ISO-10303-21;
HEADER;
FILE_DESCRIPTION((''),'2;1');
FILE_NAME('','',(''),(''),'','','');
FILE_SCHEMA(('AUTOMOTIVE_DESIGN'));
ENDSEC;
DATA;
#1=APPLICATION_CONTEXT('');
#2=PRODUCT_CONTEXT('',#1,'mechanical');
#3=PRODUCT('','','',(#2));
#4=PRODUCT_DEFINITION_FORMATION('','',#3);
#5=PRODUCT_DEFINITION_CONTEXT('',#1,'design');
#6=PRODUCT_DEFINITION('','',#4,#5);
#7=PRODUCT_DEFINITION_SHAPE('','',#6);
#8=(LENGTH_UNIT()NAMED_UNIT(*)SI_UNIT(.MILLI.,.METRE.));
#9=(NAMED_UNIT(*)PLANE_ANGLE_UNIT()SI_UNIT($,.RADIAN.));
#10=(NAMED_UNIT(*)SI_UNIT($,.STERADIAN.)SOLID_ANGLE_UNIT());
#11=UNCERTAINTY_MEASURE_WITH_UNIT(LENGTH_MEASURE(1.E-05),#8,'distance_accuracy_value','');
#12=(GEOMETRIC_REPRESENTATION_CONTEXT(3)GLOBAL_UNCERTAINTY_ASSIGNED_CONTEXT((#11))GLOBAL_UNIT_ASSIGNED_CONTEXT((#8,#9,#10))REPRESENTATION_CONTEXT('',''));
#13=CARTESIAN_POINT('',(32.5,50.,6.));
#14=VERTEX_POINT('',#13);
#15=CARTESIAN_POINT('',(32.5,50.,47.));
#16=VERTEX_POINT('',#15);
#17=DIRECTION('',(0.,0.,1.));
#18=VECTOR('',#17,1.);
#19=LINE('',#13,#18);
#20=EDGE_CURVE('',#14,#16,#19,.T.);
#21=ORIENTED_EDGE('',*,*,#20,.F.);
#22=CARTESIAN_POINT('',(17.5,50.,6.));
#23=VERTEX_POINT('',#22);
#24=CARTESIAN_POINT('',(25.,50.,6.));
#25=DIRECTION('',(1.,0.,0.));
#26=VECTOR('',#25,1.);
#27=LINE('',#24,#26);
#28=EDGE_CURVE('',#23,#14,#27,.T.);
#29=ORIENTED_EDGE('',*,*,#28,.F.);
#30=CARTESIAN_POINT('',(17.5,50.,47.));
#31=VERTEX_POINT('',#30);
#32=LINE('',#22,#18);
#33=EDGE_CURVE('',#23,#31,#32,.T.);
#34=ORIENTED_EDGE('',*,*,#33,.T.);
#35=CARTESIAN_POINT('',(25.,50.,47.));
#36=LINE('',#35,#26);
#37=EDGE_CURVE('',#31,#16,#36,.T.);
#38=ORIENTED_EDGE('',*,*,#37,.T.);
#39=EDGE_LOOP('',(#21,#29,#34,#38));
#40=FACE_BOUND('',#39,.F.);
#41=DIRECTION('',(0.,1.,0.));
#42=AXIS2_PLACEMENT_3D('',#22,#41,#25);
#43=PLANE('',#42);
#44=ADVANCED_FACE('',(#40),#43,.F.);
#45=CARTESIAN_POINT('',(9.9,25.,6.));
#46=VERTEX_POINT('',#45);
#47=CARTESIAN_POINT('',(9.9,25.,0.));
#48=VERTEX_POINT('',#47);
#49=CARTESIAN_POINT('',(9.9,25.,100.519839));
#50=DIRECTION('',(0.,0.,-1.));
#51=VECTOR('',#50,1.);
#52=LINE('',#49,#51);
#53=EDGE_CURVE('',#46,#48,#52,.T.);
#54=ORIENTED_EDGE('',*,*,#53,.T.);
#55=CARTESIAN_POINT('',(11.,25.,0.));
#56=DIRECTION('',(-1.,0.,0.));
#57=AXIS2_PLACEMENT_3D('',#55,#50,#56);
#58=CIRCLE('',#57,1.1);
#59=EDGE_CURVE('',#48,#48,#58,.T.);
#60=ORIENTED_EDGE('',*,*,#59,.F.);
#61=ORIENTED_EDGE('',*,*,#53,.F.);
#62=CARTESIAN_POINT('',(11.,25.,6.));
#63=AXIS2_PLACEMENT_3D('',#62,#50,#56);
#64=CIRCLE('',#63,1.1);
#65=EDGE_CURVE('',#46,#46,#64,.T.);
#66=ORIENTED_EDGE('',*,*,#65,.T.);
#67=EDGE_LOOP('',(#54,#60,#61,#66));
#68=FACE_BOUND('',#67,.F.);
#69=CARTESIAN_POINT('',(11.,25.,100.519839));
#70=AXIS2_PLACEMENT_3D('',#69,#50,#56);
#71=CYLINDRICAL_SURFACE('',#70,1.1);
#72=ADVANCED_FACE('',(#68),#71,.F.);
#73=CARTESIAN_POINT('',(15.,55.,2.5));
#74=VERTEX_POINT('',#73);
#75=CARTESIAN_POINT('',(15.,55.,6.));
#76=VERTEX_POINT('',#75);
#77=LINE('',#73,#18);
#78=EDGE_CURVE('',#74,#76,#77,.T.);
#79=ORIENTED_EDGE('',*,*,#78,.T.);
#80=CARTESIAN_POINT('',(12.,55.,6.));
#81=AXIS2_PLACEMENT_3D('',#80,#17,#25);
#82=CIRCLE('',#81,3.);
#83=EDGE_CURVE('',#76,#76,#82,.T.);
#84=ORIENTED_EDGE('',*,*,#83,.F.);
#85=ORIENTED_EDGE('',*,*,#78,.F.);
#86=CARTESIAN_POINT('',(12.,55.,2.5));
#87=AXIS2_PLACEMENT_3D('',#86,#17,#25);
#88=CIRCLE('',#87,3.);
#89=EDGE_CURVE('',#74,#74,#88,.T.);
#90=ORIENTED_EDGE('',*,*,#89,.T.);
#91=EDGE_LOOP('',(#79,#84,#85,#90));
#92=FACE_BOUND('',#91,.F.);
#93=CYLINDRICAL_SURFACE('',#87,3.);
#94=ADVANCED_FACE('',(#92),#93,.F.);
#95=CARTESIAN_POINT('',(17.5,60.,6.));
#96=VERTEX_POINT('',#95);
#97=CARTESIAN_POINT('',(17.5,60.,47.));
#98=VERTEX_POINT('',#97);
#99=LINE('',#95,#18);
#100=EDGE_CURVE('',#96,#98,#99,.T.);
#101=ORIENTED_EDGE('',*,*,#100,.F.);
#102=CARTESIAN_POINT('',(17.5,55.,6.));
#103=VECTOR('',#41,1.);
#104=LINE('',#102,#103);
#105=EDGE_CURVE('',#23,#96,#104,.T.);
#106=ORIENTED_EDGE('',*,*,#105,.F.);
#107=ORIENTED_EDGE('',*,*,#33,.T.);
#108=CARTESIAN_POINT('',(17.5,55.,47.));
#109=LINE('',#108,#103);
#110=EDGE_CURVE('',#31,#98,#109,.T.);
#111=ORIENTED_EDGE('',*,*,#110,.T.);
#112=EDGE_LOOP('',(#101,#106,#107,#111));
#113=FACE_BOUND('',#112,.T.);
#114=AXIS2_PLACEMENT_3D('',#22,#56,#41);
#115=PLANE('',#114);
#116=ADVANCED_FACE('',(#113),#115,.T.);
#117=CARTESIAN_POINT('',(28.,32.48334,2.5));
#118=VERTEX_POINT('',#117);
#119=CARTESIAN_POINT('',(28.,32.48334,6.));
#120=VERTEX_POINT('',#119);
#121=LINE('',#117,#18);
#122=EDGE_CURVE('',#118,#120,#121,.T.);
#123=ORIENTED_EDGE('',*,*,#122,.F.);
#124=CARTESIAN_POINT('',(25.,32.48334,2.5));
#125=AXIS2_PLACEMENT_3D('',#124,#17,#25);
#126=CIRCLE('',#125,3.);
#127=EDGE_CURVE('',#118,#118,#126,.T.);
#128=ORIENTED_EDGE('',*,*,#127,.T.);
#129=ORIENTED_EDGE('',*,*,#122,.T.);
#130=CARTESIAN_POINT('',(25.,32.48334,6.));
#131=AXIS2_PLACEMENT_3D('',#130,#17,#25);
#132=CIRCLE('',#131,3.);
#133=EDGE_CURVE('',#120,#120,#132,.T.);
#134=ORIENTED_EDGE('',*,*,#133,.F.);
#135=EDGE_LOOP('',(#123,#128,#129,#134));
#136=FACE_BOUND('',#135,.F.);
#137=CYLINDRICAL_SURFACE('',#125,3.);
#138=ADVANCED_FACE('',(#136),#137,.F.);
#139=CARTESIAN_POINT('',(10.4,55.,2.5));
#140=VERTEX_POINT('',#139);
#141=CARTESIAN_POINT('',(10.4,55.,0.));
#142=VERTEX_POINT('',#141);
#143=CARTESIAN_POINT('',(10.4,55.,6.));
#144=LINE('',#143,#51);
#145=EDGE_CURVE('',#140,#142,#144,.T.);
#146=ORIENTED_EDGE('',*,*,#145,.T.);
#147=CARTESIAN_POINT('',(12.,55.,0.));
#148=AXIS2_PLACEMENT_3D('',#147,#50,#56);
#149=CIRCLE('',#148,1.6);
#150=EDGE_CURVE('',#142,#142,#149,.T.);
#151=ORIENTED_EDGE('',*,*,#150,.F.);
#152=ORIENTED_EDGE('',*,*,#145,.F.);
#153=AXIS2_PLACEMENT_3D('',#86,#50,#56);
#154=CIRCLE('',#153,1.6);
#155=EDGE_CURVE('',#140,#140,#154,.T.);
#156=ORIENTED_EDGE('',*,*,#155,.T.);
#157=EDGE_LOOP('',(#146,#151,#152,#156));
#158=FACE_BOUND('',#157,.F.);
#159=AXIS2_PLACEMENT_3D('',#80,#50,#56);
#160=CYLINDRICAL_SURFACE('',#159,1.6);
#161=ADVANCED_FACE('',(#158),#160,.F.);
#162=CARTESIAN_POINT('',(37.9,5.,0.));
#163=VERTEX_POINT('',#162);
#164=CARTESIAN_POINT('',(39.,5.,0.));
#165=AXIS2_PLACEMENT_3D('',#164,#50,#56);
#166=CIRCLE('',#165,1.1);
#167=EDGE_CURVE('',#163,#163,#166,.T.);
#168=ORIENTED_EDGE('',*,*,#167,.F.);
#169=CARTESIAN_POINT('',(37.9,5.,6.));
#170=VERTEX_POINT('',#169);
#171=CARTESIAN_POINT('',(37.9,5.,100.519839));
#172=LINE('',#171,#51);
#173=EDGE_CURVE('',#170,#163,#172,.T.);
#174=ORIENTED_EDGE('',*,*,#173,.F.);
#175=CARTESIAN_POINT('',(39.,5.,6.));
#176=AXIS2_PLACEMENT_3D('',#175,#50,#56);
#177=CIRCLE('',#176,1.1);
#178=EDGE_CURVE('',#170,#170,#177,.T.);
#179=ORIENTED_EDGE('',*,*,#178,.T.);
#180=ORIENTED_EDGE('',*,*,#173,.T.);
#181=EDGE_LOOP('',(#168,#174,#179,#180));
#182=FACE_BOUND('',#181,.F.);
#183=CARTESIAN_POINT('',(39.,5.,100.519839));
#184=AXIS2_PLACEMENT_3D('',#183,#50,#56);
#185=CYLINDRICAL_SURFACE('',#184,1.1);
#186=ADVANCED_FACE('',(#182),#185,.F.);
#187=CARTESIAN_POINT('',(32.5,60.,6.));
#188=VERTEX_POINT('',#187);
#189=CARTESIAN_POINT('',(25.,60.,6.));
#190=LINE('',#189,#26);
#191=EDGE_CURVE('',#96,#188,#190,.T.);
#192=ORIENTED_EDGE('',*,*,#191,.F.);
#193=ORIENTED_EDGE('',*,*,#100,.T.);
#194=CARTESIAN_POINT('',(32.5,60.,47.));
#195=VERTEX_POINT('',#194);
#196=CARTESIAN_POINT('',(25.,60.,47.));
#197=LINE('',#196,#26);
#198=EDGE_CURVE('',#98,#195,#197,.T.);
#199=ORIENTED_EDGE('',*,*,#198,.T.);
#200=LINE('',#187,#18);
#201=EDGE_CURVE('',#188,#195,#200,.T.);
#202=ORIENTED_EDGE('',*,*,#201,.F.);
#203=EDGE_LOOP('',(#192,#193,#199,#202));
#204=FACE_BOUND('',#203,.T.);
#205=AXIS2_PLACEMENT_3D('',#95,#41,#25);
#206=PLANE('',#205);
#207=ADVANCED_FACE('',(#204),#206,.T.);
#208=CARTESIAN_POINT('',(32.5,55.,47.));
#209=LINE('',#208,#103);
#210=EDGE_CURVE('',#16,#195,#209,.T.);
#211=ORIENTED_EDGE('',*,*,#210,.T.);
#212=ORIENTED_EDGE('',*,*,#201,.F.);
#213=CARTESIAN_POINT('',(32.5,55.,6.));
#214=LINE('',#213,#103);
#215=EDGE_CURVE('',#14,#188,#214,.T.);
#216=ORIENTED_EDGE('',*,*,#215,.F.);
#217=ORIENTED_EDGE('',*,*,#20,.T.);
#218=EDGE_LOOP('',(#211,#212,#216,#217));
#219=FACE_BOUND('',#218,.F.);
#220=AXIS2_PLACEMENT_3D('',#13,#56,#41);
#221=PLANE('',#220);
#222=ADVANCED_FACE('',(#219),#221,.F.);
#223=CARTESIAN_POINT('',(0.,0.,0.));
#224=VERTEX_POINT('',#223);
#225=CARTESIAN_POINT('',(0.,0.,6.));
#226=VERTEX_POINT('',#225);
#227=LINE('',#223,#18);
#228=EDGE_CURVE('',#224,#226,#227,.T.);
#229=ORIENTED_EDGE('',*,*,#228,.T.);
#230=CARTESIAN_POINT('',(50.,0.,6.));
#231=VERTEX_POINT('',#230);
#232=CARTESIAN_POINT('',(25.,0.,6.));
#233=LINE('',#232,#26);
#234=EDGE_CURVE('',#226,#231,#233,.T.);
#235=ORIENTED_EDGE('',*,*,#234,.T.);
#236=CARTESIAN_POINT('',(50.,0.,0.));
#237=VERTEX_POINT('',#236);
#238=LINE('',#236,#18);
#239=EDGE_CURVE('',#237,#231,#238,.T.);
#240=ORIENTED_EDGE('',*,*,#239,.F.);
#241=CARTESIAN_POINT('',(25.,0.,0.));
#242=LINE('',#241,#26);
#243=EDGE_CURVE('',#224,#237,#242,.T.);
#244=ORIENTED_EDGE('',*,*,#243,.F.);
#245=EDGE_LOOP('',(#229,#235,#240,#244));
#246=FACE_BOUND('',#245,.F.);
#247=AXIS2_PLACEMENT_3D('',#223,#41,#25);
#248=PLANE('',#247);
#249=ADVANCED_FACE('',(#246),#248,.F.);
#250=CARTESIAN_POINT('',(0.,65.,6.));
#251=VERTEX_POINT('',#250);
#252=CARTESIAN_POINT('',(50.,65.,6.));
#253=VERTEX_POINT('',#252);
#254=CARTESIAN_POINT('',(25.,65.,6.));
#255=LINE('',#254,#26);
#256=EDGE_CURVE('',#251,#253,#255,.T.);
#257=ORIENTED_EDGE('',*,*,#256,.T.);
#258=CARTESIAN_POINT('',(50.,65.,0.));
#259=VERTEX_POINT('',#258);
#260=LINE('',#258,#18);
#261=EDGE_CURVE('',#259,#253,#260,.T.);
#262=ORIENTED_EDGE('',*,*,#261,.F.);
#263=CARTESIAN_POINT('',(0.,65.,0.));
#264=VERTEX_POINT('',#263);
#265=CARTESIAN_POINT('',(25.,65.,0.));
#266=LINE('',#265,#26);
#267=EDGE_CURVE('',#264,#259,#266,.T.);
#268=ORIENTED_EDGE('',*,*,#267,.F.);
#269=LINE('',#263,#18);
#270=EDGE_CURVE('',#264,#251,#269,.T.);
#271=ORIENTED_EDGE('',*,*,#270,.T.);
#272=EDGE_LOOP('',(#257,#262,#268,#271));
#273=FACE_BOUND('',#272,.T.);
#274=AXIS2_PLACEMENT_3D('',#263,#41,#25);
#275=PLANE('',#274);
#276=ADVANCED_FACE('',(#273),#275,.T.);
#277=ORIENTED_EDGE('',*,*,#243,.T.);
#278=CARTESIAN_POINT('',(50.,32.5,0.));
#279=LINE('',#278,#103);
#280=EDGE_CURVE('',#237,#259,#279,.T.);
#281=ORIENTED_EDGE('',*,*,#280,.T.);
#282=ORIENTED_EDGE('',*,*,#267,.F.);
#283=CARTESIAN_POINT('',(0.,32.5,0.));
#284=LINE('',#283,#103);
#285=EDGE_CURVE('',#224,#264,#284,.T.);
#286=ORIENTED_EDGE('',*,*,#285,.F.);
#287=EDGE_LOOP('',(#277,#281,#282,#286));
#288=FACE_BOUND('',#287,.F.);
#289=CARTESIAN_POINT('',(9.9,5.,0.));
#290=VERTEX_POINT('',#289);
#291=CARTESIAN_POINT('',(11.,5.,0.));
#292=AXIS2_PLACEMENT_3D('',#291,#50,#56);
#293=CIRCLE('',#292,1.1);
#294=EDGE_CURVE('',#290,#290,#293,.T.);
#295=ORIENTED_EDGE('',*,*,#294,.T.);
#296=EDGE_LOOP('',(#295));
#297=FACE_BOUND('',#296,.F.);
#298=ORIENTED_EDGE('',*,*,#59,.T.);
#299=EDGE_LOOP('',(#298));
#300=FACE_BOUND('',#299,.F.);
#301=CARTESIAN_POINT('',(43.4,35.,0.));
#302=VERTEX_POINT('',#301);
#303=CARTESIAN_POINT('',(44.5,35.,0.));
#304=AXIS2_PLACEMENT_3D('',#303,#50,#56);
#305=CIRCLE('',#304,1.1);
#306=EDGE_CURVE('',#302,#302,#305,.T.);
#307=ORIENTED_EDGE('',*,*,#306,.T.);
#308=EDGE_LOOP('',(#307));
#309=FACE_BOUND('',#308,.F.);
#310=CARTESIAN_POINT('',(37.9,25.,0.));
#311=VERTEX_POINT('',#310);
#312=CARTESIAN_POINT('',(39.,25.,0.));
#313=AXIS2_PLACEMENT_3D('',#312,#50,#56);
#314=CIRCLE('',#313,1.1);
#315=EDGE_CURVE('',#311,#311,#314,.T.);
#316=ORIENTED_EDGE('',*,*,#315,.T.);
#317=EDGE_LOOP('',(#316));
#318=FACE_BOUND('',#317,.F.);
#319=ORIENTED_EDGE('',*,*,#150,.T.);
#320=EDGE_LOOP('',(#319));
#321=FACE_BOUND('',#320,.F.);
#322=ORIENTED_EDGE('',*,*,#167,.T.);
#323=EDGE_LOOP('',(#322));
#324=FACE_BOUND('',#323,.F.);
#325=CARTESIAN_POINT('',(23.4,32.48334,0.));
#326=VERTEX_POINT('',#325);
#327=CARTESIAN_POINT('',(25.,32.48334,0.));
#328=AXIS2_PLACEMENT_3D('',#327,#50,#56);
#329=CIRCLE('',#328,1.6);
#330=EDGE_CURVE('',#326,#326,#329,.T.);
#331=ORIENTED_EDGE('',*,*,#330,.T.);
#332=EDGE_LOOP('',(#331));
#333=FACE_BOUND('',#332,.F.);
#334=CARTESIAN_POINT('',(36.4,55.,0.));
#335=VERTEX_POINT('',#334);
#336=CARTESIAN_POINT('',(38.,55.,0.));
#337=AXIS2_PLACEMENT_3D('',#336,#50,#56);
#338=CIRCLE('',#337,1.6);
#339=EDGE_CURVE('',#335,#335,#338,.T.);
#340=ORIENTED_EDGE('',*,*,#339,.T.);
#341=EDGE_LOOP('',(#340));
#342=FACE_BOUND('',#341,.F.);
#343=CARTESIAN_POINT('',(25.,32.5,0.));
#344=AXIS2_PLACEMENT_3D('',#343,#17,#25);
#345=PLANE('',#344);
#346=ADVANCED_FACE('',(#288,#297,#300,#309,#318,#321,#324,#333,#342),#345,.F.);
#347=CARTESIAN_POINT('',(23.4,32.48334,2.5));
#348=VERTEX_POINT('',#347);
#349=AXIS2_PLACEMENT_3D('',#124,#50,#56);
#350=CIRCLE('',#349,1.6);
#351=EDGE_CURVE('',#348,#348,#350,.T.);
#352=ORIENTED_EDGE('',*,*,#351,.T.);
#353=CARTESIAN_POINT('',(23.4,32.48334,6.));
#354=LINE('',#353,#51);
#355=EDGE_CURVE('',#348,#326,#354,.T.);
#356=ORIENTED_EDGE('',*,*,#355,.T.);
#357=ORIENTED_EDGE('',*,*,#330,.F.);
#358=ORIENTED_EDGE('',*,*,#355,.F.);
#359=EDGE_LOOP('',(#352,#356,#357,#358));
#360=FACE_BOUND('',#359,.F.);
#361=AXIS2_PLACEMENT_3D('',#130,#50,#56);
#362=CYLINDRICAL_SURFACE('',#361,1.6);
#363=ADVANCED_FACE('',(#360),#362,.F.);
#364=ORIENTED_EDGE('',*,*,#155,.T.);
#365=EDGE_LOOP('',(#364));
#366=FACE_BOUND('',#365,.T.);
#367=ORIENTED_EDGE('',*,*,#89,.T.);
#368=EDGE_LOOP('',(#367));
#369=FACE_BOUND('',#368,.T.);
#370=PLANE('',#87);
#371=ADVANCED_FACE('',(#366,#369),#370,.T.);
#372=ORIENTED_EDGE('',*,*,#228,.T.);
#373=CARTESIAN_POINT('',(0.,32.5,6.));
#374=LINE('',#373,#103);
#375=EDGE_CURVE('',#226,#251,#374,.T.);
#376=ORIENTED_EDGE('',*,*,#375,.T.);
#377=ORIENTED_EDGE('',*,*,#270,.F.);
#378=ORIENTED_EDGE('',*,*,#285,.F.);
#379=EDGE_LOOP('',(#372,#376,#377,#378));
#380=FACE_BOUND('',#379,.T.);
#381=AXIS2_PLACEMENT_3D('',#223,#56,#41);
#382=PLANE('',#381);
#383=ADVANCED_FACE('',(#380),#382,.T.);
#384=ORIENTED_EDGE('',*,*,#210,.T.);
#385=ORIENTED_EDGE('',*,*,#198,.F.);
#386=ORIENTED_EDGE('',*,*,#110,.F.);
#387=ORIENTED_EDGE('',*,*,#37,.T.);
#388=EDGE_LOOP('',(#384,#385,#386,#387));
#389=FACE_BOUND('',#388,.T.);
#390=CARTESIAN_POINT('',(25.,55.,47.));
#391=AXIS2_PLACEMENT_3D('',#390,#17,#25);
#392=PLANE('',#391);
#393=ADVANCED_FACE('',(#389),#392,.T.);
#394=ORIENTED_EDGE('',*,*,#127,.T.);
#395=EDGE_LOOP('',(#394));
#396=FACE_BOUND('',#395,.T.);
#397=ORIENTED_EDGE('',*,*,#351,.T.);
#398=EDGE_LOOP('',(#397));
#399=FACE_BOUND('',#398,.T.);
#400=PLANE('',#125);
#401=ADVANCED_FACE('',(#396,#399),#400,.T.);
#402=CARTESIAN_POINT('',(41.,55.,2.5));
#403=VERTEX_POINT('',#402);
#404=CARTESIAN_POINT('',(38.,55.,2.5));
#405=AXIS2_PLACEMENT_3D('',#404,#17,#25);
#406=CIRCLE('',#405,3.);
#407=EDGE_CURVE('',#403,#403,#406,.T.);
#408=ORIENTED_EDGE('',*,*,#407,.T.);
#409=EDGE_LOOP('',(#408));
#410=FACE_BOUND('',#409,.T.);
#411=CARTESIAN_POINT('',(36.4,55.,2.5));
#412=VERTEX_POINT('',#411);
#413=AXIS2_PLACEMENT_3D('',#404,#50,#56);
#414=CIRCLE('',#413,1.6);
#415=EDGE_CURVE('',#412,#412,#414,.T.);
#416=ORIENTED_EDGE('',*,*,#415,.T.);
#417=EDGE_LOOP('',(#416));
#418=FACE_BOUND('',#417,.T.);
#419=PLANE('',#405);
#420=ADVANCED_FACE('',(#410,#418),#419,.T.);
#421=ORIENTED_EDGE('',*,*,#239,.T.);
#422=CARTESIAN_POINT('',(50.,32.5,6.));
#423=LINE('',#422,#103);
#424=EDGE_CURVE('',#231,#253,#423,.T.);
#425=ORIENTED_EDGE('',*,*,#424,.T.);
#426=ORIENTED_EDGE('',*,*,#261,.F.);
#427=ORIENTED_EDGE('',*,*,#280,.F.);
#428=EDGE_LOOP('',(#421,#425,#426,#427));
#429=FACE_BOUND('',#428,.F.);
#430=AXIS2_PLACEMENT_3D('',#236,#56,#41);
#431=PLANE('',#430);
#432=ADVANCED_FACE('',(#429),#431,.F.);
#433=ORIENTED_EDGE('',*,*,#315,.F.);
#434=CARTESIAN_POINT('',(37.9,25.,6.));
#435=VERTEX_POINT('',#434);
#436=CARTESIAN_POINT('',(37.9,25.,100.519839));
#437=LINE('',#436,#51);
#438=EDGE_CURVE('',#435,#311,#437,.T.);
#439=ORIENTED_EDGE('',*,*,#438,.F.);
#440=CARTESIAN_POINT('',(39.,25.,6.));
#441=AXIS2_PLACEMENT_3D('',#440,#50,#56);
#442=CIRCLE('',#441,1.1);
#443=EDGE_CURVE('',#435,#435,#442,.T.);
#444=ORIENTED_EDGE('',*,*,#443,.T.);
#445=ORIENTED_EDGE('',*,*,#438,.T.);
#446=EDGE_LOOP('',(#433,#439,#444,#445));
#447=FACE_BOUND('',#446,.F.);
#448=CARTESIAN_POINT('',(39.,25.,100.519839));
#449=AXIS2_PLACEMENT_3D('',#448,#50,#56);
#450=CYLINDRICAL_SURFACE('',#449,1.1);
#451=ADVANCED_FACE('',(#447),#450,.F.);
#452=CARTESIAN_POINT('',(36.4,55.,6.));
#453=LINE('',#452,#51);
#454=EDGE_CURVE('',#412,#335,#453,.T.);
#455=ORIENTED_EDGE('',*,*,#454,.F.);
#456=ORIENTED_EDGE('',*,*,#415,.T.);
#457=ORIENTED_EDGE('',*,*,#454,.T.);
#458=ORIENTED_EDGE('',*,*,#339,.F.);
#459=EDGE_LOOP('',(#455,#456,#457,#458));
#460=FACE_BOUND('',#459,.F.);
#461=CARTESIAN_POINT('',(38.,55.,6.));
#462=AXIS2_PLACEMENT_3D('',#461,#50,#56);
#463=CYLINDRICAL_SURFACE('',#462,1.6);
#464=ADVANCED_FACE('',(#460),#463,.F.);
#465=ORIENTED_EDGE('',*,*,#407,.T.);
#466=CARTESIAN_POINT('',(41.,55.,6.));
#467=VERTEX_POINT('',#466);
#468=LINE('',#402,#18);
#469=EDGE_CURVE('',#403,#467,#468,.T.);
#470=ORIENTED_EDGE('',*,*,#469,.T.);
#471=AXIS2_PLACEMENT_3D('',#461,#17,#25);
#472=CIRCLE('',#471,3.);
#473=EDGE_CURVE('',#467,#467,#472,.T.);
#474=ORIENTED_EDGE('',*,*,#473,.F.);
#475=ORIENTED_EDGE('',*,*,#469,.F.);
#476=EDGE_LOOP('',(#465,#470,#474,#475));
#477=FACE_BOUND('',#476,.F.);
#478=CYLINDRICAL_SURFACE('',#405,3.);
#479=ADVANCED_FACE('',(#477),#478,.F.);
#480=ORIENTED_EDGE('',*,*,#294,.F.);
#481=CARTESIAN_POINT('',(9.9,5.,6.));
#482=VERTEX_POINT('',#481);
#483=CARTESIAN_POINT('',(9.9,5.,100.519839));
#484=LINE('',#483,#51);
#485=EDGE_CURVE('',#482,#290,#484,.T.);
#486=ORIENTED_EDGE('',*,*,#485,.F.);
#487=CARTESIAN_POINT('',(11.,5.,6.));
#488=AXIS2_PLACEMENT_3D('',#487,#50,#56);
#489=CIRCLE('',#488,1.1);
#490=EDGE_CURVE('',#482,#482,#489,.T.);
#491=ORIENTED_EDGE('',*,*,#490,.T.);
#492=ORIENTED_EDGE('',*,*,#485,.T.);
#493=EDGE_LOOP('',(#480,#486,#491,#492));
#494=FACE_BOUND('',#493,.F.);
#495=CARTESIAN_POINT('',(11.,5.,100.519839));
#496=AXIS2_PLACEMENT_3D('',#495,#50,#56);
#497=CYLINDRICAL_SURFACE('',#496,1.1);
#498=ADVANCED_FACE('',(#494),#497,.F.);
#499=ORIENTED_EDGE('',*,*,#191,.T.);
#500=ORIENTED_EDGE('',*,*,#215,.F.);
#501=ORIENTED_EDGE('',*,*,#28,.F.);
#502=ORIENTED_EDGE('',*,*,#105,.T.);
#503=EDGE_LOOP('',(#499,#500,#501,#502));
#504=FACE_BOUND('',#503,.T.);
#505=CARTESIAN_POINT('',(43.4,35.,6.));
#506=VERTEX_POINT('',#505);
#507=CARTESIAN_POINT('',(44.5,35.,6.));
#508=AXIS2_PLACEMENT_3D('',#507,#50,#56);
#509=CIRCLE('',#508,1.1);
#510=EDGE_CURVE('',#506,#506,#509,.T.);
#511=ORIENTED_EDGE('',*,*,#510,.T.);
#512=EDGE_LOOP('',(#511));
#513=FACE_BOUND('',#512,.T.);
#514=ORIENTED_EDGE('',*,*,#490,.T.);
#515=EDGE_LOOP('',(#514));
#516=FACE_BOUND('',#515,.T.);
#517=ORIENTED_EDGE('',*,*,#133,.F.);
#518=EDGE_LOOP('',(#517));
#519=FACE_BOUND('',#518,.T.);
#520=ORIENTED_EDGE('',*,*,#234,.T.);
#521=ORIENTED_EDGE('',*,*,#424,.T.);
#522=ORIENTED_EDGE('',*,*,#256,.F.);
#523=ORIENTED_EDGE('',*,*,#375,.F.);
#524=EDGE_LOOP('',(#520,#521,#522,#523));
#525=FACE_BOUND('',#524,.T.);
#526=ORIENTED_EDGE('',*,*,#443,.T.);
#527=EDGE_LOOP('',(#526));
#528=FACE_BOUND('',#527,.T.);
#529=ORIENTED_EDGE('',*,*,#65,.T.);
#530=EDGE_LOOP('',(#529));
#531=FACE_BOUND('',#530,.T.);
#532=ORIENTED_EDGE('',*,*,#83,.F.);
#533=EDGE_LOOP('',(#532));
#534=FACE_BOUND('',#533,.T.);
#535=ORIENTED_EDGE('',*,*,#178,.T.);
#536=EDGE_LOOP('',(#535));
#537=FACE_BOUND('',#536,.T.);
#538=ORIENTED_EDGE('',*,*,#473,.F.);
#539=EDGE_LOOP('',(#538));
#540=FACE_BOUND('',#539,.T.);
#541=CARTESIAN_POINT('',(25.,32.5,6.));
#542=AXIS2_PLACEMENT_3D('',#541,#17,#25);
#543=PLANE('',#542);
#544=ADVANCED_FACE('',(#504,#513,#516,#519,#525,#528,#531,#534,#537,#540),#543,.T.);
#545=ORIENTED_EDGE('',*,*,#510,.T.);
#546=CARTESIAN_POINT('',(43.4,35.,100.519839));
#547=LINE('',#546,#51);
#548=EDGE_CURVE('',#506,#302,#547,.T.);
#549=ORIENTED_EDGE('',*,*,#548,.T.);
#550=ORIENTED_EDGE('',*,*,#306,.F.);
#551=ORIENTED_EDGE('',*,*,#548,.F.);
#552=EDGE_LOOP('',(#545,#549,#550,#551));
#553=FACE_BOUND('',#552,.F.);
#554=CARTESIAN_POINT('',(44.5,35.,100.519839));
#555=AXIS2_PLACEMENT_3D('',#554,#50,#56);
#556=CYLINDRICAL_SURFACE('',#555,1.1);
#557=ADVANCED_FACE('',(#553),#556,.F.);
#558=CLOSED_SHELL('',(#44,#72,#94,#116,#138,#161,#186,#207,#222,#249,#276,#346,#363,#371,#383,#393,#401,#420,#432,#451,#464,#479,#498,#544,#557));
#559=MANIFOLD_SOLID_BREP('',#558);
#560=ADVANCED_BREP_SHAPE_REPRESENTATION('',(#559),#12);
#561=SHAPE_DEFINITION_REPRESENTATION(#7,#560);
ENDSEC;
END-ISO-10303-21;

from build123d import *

# Parameters (mm, degrees)
F0_W           = 50
F0_H           = 65
F1_DEPTH       = 6
F2_W           = 15
F2_H           = 10
F3_DEPTH       = 41
F5_D           = 3.2
F5_CBORE_D     = 6
F5_CBORE_DEPTH = 3.5
F7_D           = 2.2


with BuildPart() as f1:
    # F0 (on Top) → F1 (new body)
    with BuildSketch(Plane.XY):
        with Locations((25, 32.5)):
            Rectangle(F0_W, F0_H)
    extrude(amount=F1_DEPTH)

    # F2 (on face) → F3 (join)
    with BuildSketch(Plane.XY.offset(6)):
        with Locations((25, 55)):
            Rectangle(F2_W, F2_H)
    extrude(amount=F3_DEPTH)

    # F5 (through all)
    with Locations(Plane.XY.offset(6)):
        with Locations((12, 55), (38, 55), (25, 32.48334)):
            CounterBoreHole(F5_D / 2, F5_CBORE_D / 2, F5_CBORE_DEPTH)

    # F7 (through all)
    with Locations(Plane.XY.offset(6)):
        with Locations((11, 25), (39, 25), (39, 5), (11, 5), (44.5, 35)):
            Hole(F7_D / 2)


solid = f1.part
